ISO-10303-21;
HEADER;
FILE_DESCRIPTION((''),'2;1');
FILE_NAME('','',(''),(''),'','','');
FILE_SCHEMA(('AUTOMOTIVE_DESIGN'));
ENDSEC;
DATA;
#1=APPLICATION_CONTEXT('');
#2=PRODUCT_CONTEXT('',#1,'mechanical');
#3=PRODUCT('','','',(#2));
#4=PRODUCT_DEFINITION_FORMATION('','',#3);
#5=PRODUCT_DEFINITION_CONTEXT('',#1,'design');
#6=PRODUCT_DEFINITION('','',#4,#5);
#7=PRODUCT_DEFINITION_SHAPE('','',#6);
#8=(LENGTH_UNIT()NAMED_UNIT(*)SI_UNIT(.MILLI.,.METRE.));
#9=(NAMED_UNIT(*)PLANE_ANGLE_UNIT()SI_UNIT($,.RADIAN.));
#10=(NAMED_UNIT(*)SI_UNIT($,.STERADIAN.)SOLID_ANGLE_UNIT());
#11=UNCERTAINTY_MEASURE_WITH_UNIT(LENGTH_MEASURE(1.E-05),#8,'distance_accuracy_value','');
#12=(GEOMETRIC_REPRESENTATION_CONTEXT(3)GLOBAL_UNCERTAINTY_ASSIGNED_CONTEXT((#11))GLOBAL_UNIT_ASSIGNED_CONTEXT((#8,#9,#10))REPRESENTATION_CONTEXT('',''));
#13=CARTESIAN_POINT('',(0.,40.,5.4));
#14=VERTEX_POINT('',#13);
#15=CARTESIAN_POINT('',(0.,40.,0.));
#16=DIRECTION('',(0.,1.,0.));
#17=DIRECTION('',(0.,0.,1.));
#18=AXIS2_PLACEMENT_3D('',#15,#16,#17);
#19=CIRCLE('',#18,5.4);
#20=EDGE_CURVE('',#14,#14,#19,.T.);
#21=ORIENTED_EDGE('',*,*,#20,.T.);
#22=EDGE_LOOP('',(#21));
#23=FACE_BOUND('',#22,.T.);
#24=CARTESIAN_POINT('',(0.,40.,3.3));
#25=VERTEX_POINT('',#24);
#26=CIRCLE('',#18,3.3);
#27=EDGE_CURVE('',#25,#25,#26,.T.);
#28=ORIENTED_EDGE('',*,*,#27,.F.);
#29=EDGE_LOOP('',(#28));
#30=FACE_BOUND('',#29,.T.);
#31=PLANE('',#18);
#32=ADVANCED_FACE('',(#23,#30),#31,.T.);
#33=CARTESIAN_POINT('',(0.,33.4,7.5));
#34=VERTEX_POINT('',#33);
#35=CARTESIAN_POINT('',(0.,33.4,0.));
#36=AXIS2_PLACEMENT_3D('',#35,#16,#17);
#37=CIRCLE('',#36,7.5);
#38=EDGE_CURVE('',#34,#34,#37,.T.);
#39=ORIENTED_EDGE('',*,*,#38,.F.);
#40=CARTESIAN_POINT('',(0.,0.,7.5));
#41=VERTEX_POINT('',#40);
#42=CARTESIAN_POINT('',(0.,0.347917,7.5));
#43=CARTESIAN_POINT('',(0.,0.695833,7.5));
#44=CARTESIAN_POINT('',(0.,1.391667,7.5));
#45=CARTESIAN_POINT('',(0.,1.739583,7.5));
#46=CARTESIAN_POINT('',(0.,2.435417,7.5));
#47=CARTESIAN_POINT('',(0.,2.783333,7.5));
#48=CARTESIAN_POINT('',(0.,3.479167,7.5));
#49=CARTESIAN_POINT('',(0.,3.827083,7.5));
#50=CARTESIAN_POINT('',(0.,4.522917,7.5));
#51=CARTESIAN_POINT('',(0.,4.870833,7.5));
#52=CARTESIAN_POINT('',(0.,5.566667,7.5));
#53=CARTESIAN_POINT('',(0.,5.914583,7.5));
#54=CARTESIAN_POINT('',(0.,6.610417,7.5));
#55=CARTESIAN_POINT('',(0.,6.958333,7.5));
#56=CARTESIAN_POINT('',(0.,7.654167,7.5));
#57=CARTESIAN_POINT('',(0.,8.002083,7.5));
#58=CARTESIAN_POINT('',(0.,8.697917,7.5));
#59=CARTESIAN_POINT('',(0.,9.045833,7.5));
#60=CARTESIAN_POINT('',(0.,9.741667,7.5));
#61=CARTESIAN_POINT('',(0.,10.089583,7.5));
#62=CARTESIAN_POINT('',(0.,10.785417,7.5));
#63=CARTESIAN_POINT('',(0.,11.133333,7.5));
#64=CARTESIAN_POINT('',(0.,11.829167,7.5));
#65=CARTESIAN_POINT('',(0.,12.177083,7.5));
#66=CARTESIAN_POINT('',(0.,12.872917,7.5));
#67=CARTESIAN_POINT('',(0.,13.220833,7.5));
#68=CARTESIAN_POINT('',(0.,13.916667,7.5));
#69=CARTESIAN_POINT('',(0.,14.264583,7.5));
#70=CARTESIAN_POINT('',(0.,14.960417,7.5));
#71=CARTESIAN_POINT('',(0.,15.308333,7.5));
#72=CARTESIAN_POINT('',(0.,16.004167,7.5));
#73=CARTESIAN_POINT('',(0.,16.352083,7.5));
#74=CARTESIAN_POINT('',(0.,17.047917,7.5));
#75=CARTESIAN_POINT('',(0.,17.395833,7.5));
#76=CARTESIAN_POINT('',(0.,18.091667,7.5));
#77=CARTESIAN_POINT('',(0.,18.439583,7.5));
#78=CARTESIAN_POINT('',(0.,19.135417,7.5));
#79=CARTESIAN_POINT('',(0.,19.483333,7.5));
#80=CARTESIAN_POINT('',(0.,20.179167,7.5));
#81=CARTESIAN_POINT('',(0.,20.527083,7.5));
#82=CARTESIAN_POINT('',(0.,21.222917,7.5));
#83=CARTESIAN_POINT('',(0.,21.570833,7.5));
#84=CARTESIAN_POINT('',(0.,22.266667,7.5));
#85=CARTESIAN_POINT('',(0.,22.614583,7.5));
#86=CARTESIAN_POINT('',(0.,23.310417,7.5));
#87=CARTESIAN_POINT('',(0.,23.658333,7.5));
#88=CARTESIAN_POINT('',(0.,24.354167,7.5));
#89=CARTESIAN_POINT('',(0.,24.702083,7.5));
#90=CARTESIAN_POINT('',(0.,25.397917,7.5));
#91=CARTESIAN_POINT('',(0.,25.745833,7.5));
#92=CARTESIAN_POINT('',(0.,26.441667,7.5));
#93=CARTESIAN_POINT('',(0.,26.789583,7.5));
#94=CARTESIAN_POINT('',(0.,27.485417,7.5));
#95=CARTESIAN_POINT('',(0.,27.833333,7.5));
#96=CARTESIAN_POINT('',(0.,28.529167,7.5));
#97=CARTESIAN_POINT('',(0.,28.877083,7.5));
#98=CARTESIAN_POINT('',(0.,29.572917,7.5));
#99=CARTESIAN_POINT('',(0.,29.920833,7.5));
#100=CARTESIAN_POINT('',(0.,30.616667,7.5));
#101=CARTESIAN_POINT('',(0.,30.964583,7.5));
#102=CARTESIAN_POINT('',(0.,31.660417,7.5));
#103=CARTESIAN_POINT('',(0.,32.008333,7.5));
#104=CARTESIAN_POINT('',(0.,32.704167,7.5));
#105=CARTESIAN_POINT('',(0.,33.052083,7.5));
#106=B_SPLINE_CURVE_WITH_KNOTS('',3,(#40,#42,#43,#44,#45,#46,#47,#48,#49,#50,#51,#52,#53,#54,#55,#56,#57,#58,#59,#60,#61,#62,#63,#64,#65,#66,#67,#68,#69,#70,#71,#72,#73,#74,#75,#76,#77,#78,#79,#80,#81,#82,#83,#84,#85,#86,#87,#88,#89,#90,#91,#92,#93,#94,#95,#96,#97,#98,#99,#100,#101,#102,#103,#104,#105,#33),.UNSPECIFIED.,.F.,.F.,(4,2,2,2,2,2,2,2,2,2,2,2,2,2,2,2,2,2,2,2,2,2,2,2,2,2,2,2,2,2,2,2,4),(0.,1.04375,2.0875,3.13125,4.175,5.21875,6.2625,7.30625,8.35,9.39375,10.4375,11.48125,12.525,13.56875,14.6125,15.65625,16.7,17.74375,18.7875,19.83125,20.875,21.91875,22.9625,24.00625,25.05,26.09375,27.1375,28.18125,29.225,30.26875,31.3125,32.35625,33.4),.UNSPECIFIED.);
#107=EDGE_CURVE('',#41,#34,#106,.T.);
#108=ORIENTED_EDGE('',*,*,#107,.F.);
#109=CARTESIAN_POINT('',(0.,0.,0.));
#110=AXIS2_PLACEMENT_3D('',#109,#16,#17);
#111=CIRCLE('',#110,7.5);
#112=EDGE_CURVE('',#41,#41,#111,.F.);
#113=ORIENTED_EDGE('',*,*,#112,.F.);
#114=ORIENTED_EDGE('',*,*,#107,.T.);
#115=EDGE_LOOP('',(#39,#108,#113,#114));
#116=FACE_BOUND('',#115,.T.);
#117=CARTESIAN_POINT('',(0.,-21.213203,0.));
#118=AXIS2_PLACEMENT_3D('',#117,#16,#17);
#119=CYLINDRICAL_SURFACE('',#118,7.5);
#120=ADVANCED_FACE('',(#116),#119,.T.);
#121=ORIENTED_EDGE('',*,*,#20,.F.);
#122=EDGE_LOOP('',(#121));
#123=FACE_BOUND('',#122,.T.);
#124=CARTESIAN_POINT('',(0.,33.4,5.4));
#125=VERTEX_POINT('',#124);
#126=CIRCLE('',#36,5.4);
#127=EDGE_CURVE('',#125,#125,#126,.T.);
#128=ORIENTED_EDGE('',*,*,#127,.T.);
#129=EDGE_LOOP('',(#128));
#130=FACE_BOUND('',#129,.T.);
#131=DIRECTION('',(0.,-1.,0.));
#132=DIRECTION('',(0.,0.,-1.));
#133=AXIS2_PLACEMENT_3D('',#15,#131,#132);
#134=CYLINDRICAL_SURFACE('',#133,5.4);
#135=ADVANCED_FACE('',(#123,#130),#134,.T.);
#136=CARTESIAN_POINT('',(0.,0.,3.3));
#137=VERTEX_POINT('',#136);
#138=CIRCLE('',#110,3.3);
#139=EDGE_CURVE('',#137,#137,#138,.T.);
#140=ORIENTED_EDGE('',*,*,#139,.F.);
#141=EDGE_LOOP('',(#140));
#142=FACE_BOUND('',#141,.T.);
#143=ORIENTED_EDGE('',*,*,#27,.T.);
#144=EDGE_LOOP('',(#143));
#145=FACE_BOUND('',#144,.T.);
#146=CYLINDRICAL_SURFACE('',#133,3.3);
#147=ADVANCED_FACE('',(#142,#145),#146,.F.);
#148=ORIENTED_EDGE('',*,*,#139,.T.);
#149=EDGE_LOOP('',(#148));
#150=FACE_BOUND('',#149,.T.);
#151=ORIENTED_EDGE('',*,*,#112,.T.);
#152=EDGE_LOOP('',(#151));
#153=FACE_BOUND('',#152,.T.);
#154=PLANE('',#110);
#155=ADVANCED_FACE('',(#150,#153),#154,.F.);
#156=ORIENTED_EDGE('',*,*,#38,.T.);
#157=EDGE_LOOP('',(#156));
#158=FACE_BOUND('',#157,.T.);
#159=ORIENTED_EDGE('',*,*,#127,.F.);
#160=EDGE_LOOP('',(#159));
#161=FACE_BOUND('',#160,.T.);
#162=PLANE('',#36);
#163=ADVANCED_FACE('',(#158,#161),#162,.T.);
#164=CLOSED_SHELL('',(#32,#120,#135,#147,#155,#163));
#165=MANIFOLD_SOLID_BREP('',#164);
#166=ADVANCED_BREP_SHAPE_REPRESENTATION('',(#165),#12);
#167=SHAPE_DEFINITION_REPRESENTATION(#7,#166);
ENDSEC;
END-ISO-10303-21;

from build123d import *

# Parameters (mm, degrees)
SKETCH1_R           = 5.4
SKETCH1_R_2         = 3.3
BOSS_EXTRUDE1_DEPTH = 40
BOSS_EXTRUDE2_START = -40
SKETCH2_R           = 7.5
SKETCH2_R_2         = 3.3
BOSS_EXTRUDE2_DEPTH = 33.4


with BuildPart() as part:
    # Sketch1 → Boss-Extrude1 (new body)
    with BuildSketch(Plane(origin=(0, 0, 0), x_dir=(1, 0, 0), z_dir=(0, 1, 0))):
        with Locations(Location((0, 0, 0), (0, 0, 270))):
            Circle(SKETCH1_R)
        with Locations(Location((0, 0, 0), (0, 0, 270))):
            Circle(SKETCH1_R_2, mode=Mode.SUBTRACT)
    extrude(amount=BOSS_EXTRUDE1_DEPTH)

    # Sketch2 → Boss-Extrude2 (add)
    with BuildSketch(Plane(origin=(0, 40, 0), x_dir=(1, 0, 0), z_dir=(0, 1, 0)).offset(BOSS_EXTRUDE2_START)):
        with Locations(Location((0, 0, 0), (0, 0, 270))):
            Circle(SKETCH2_R)
        with Locations(Location((0, 0, 0), (0, 0, 270))):
            Circle(SKETCH2_R_2, mode=Mode.SUBTRACT)
    extrude(amount=BOSS_EXTRUDE2_DEPTH)


solid = part.part
